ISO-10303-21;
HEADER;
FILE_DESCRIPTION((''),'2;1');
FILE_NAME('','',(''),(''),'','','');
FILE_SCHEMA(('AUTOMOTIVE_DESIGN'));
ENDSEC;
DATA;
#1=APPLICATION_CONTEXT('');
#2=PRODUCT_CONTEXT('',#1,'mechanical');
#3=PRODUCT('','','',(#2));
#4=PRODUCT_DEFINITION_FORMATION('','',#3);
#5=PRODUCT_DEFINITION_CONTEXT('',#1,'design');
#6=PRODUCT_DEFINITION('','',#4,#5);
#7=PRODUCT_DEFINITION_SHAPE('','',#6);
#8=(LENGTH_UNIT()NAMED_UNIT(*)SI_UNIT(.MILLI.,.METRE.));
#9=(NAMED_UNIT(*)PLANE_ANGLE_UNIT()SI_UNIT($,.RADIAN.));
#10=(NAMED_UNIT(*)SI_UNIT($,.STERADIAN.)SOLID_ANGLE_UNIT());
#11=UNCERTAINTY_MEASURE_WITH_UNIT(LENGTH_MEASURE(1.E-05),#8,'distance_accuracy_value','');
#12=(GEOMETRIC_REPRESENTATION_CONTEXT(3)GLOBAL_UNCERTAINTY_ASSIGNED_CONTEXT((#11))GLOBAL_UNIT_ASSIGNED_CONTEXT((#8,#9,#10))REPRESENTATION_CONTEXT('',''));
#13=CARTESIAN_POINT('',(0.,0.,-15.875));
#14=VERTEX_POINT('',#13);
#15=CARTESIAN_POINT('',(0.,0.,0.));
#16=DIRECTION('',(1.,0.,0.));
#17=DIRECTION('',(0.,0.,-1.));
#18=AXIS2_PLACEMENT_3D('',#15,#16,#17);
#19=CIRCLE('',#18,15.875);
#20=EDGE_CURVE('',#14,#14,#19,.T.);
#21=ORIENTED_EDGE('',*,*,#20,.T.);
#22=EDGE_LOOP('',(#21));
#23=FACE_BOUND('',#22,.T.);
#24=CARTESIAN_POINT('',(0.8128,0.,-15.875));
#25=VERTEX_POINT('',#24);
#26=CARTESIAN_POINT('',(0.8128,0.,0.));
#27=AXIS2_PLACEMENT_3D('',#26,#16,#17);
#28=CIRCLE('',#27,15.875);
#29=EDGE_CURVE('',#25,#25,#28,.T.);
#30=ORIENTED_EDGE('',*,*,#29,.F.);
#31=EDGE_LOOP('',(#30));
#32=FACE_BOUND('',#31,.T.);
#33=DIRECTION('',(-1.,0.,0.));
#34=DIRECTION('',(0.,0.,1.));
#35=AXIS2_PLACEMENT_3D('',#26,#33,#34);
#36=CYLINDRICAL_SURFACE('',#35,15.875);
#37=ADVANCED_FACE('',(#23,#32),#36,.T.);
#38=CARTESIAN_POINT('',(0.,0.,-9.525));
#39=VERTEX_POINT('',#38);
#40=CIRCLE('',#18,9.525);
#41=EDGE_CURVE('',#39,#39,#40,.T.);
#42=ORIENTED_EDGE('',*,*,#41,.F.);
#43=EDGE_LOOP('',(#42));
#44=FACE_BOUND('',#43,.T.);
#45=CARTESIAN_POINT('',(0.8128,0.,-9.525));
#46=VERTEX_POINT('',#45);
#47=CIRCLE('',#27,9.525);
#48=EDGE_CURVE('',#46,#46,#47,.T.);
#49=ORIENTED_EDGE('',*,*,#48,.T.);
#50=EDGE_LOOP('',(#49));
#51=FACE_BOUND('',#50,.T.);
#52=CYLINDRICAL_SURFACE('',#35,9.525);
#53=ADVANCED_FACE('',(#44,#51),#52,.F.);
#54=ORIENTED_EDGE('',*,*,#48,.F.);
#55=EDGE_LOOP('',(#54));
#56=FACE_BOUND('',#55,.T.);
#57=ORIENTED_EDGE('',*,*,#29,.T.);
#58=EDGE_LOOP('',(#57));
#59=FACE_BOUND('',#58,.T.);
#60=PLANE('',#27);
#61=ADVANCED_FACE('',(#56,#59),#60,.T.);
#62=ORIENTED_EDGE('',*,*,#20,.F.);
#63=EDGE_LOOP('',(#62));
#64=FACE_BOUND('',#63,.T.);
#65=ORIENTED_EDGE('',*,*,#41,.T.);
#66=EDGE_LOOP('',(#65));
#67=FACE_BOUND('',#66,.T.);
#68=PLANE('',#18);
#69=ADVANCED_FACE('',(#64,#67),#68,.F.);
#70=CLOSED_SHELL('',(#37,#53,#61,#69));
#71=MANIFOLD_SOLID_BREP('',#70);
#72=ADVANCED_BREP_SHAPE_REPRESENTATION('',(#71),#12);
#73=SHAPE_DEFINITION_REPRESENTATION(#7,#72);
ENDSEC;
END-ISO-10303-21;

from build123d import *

# Parameters (mm, degrees)
SKETCH1_R      = 15.875
SKETCH1_R_2    = 9.525
EXTRUDE1_DEPTH = 0.8128


with BuildPart() as part:
    # Sketch1 → Extrude1 (new body)
    with BuildSketch(Plane(origin=(0, 0, 0), x_dir=(0, 0, -1), z_dir=(1, 0, 0))):
        Circle(SKETCH1_R)
        Circle(SKETCH1_R_2, mode=Mode.SUBTRACT)
    extrude(amount=EXTRUDE1_DEPTH)


solid = part.part
